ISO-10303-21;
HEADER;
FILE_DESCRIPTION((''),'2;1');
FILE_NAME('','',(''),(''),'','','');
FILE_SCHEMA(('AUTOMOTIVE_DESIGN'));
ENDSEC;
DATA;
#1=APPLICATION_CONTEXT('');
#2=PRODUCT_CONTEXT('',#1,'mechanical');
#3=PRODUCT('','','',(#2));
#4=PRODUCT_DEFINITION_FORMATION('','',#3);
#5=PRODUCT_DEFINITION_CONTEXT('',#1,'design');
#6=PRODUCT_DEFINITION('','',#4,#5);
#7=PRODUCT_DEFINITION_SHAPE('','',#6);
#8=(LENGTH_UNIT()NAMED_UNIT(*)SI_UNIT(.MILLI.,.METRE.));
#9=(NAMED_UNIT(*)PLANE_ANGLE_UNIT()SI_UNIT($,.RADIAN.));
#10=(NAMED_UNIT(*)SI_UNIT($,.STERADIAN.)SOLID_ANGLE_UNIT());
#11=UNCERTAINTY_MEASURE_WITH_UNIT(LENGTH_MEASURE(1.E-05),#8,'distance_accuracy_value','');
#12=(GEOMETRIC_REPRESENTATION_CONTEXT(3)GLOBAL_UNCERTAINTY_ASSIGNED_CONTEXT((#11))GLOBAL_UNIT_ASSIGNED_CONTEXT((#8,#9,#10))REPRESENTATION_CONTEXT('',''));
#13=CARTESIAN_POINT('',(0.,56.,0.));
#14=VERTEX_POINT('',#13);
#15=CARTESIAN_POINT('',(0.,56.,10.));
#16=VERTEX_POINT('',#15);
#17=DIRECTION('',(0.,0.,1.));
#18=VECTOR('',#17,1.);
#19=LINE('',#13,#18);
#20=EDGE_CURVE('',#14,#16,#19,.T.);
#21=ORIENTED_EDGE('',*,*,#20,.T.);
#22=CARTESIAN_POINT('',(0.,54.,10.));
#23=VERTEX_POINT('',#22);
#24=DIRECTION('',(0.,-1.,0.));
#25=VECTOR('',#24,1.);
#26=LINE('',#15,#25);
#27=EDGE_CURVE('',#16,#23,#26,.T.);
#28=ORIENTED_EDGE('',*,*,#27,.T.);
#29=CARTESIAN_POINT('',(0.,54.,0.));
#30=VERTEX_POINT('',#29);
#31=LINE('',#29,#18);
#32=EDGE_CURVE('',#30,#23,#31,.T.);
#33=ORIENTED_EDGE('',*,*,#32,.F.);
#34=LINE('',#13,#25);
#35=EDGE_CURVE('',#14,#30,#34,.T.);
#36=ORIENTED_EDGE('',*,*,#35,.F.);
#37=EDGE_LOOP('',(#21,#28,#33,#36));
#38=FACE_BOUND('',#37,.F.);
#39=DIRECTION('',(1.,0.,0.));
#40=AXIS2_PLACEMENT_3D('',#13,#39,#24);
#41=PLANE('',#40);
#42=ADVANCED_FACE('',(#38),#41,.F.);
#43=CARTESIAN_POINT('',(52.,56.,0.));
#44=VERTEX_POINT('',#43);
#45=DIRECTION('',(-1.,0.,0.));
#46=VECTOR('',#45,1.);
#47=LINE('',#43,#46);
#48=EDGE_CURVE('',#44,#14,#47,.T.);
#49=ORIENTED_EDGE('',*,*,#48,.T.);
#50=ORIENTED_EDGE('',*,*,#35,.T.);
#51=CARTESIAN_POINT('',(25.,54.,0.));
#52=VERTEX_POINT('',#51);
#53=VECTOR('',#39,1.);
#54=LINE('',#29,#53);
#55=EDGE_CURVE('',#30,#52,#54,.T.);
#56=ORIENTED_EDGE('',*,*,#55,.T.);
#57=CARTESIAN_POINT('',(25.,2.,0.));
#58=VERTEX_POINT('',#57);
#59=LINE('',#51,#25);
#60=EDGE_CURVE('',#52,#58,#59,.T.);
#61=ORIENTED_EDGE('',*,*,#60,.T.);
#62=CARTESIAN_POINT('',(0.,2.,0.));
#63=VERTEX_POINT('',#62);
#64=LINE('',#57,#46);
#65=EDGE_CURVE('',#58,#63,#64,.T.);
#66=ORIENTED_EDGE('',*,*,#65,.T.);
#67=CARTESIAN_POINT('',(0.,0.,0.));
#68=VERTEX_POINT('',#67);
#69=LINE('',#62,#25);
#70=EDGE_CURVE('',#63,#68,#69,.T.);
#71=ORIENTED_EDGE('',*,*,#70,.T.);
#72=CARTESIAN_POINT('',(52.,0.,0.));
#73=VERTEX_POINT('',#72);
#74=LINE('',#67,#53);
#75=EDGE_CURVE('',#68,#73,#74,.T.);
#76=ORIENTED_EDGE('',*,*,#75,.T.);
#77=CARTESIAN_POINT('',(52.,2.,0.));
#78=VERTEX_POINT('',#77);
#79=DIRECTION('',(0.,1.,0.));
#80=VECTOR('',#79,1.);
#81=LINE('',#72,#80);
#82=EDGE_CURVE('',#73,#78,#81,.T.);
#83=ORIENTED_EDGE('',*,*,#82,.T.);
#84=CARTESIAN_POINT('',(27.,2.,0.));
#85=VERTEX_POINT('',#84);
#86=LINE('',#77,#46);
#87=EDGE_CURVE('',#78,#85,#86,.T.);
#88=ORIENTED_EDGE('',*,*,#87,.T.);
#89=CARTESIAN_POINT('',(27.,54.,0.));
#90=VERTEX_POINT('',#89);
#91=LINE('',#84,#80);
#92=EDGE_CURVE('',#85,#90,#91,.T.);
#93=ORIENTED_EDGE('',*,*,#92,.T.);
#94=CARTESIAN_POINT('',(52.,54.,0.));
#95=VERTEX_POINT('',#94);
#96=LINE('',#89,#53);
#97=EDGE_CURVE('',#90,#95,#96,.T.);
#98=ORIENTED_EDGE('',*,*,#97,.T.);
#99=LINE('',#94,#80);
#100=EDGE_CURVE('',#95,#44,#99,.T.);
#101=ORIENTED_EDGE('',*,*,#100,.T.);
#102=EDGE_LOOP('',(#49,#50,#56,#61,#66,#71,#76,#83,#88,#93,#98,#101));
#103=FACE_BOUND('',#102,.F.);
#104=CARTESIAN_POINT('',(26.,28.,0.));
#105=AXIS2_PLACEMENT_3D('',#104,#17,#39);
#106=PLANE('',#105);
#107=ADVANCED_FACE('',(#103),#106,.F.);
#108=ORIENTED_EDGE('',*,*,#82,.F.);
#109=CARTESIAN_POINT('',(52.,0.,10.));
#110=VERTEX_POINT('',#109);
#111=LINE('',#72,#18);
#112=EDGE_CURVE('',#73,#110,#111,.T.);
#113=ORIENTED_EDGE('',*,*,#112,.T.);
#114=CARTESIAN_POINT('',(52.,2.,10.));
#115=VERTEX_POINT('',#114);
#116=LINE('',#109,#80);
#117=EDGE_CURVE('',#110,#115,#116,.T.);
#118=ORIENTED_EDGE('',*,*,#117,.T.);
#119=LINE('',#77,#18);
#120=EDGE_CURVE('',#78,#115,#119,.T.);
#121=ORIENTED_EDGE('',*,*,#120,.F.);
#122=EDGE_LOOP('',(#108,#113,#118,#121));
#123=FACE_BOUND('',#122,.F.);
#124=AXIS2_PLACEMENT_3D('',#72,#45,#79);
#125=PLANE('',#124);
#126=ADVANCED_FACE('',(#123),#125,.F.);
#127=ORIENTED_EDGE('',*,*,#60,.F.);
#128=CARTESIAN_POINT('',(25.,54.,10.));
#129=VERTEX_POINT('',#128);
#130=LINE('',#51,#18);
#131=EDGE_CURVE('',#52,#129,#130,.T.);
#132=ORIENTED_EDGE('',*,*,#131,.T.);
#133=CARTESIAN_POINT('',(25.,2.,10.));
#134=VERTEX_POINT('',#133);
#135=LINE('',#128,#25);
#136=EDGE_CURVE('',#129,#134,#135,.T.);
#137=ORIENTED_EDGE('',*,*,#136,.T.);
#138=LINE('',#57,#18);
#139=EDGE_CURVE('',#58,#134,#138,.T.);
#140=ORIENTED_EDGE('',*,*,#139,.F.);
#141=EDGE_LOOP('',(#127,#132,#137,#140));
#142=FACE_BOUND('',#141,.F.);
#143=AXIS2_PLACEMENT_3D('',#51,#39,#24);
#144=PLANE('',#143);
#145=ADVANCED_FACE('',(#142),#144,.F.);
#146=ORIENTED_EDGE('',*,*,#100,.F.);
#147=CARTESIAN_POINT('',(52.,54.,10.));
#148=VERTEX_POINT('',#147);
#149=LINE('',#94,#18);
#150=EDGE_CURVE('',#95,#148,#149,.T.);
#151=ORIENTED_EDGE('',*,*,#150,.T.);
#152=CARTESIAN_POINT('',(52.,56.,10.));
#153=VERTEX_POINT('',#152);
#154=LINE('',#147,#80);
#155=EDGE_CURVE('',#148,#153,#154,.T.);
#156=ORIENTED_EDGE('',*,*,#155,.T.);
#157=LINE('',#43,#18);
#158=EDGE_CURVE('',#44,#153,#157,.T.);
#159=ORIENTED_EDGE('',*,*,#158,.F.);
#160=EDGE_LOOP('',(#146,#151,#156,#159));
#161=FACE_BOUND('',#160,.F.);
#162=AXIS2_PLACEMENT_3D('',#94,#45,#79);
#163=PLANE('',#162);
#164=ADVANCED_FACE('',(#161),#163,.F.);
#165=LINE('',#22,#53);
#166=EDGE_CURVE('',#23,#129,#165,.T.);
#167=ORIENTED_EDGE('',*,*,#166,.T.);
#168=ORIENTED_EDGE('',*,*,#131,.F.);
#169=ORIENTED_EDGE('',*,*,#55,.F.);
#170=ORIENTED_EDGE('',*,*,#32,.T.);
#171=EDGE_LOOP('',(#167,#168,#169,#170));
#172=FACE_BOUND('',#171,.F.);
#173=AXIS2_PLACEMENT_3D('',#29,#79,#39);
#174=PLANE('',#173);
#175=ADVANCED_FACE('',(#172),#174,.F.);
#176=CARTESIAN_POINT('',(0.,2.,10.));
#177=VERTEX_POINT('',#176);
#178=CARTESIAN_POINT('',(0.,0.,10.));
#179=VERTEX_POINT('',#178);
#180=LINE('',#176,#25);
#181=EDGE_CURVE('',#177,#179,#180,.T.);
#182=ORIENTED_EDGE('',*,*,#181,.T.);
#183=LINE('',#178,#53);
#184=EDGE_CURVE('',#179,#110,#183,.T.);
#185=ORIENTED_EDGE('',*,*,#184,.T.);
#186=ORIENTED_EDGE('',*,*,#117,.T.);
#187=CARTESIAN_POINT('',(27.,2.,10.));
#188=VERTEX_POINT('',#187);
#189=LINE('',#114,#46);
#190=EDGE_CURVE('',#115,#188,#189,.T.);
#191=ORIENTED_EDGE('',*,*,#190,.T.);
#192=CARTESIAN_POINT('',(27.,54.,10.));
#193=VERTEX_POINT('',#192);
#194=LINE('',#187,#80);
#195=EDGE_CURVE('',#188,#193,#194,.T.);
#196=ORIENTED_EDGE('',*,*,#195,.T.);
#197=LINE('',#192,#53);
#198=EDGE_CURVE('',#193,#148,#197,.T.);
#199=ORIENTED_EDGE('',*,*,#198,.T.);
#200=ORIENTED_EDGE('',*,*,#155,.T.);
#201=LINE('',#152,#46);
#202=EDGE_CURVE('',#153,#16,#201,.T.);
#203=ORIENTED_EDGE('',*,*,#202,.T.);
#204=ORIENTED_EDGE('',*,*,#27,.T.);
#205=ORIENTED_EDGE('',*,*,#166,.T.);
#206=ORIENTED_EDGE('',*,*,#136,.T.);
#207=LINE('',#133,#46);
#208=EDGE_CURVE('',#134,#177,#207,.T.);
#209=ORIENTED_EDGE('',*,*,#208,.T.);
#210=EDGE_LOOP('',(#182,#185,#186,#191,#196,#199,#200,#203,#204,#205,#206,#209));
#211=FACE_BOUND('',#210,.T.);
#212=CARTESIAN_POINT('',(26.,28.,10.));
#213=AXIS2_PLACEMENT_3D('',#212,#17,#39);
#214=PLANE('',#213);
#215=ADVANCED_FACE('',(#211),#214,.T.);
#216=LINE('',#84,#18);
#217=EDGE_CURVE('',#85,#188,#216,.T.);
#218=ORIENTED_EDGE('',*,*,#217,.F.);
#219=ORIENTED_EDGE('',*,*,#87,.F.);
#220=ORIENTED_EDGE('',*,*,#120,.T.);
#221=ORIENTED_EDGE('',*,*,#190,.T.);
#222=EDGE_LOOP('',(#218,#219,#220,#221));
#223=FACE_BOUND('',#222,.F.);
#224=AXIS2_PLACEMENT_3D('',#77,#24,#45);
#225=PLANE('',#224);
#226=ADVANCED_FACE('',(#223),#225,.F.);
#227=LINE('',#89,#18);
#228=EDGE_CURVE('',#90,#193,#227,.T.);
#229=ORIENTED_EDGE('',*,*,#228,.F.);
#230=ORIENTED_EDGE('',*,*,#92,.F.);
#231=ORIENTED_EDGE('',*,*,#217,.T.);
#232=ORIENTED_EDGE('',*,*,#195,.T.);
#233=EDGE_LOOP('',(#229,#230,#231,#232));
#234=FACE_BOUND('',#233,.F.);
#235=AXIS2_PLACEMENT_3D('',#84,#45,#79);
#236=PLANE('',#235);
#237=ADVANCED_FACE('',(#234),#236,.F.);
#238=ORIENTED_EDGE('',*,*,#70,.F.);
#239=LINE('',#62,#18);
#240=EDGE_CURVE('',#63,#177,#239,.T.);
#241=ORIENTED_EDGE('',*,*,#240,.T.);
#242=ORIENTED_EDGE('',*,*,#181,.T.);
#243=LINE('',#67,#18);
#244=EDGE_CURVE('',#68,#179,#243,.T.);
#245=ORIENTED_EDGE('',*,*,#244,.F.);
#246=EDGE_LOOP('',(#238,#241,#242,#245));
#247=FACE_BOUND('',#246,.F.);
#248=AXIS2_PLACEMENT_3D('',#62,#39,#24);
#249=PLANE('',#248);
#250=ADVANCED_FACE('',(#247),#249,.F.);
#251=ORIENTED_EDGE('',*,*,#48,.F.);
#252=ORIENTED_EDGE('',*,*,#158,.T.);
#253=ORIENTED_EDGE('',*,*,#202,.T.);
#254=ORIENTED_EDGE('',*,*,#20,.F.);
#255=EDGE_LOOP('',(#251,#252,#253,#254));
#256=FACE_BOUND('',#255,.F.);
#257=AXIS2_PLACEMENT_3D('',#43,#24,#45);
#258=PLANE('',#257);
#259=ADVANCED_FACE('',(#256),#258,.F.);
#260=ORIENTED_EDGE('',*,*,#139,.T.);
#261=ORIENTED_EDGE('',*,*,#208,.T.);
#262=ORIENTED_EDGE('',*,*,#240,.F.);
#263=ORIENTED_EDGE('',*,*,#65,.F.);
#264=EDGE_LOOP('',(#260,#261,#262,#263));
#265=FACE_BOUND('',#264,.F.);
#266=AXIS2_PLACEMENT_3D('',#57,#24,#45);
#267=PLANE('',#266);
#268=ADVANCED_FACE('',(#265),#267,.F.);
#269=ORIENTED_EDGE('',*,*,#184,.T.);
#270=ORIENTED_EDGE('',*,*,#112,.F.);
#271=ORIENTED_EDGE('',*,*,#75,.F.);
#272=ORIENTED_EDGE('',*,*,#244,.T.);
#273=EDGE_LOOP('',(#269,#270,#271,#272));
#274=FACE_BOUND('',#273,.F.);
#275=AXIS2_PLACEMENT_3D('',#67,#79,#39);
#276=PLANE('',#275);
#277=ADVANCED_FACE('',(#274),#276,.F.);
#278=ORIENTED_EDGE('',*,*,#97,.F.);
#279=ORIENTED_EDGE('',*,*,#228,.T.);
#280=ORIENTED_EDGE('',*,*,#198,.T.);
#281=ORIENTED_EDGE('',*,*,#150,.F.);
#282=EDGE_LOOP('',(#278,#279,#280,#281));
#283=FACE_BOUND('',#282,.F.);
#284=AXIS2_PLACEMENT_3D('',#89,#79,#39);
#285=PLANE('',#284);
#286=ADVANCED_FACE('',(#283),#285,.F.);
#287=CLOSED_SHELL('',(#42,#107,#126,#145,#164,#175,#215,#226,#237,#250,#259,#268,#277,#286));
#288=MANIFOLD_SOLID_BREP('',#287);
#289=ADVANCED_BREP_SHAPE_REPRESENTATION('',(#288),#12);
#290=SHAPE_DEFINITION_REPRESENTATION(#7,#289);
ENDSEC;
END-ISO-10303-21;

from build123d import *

# Parameters (mm, degrees)
PAD_DEPTH = 10


with BuildPart() as part:
    # Sketch → Pad (new body)
    with BuildSketch(Plane.XY):
        Polygon((25, 54), (25, 2), (0, 2), (0, 0), (52, 0), (52, 2), (27, 2), (27, 54), (52, 54), (52, 56), (0, 56), (0, 54), align=None)
    extrude(amount=PAD_DEPTH)


solid = part.part
